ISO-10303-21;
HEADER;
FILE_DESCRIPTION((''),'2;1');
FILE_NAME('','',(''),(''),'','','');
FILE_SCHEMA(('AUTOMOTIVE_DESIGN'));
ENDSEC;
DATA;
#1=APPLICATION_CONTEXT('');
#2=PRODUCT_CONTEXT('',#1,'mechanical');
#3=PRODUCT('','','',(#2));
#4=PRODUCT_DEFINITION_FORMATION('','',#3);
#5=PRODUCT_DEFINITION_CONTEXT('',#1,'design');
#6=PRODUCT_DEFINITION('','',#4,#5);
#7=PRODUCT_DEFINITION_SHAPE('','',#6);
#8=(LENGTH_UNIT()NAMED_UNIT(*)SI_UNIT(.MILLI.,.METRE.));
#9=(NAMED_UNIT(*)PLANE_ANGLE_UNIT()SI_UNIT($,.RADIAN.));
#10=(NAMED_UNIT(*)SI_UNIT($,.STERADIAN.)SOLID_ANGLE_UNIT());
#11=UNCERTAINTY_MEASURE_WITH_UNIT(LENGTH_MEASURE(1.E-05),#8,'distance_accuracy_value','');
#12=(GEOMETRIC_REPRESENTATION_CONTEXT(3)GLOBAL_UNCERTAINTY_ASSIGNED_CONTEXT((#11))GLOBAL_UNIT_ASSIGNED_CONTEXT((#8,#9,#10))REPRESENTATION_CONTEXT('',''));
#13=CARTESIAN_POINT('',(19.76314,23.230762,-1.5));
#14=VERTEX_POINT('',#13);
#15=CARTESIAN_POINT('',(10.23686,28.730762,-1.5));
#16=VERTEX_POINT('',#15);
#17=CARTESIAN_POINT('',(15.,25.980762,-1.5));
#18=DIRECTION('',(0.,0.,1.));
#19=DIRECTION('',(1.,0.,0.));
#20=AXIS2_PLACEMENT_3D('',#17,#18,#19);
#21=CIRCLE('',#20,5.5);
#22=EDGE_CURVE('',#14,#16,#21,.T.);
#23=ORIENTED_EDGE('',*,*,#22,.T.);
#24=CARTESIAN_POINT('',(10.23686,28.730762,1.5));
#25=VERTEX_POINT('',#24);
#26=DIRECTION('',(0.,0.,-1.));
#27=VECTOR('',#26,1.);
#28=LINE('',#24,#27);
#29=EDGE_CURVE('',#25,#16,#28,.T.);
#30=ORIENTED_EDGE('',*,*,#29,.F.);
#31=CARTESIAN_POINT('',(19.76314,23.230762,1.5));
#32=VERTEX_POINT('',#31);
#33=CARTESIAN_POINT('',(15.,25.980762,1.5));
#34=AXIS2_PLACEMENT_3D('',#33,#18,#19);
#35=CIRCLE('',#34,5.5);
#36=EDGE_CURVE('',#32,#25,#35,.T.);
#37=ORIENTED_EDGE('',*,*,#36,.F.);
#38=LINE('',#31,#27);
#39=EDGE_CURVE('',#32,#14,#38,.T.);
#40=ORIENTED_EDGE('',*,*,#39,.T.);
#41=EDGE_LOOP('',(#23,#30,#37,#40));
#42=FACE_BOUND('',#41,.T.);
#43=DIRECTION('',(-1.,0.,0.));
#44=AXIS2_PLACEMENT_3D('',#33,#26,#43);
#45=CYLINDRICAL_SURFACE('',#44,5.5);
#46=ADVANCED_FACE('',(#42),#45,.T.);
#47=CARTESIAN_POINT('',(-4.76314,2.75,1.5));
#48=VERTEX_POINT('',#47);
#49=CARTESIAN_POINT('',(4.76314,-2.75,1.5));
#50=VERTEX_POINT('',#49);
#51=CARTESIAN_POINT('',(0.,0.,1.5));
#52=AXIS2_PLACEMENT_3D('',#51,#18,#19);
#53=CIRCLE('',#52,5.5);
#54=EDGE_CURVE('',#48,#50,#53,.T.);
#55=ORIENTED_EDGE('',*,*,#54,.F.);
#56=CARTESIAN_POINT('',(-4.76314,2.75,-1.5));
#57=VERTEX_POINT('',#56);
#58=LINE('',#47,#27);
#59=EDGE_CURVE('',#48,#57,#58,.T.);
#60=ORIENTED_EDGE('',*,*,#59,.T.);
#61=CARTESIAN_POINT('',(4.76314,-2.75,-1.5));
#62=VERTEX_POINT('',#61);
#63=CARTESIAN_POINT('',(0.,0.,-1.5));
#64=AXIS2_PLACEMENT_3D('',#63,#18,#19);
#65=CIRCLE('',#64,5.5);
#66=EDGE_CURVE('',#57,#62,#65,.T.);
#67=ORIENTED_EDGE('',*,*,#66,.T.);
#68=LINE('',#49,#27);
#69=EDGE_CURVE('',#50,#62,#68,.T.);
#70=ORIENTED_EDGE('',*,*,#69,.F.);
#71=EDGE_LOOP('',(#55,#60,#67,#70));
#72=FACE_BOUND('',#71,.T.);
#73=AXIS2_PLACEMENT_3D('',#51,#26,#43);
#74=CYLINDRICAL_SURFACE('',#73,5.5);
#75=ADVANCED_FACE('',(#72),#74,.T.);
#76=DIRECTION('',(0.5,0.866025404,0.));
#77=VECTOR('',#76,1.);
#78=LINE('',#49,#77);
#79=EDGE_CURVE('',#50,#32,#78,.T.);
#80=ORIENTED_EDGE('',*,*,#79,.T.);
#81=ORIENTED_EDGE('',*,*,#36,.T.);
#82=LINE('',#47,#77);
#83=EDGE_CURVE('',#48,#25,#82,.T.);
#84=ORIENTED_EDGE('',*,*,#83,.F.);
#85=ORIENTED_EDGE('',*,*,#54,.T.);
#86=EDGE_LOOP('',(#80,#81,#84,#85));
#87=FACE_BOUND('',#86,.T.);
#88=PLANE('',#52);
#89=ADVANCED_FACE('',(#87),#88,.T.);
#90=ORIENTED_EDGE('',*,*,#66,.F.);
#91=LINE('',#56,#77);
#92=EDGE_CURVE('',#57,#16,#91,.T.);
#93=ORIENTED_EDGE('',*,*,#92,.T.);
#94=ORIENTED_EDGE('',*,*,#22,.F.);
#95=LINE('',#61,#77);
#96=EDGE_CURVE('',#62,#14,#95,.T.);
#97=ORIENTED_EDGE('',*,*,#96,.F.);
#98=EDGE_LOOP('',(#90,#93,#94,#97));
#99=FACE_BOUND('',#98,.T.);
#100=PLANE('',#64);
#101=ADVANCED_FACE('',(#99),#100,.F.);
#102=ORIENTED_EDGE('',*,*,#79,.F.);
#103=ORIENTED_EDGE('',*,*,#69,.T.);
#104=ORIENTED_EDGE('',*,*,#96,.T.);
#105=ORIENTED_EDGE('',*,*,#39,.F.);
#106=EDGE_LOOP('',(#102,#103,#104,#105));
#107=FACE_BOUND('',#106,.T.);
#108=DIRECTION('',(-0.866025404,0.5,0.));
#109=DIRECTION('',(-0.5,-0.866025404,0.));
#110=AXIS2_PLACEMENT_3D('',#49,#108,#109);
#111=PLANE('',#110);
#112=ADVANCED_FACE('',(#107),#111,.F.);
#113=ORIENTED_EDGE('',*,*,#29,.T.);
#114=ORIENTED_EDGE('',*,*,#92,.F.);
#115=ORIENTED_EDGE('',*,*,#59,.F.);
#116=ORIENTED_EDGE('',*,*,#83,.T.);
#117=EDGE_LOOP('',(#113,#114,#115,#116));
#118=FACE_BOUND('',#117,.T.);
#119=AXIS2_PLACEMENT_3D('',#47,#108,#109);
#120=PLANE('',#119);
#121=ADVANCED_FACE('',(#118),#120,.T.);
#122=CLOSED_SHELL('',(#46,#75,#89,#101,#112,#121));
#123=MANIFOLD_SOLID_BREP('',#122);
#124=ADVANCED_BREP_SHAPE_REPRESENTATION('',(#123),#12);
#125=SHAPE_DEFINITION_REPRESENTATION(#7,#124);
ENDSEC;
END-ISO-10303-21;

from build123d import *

# Parameters (mm, degrees)
BOSS_EXTRUDE1_DEPTH = 1.5


with BuildPart() as part:
    # Sketch1 → Boss-Extrude1 (new, symmetric)
    with BuildSketch(Plane.XY):
        with BuildLine():
            Line((-4.763139721, 2.75), (10.236860279, 28.730762114))
            ThreePointArc((10.236860279, 28.730762114), (17.75, 30.743901834), (19.763139721, 23.230762114))
            Line((19.763139721, 23.230762114), (4.763139721, -2.75))
            ThreePointArc((4.763139721, -2.75), (-2.75, -4.763139721), (-4.763139721, 2.75))
        make_face()
    extrude(amount=BOSS_EXTRUDE1_DEPTH, both=True)


solid = part.part
